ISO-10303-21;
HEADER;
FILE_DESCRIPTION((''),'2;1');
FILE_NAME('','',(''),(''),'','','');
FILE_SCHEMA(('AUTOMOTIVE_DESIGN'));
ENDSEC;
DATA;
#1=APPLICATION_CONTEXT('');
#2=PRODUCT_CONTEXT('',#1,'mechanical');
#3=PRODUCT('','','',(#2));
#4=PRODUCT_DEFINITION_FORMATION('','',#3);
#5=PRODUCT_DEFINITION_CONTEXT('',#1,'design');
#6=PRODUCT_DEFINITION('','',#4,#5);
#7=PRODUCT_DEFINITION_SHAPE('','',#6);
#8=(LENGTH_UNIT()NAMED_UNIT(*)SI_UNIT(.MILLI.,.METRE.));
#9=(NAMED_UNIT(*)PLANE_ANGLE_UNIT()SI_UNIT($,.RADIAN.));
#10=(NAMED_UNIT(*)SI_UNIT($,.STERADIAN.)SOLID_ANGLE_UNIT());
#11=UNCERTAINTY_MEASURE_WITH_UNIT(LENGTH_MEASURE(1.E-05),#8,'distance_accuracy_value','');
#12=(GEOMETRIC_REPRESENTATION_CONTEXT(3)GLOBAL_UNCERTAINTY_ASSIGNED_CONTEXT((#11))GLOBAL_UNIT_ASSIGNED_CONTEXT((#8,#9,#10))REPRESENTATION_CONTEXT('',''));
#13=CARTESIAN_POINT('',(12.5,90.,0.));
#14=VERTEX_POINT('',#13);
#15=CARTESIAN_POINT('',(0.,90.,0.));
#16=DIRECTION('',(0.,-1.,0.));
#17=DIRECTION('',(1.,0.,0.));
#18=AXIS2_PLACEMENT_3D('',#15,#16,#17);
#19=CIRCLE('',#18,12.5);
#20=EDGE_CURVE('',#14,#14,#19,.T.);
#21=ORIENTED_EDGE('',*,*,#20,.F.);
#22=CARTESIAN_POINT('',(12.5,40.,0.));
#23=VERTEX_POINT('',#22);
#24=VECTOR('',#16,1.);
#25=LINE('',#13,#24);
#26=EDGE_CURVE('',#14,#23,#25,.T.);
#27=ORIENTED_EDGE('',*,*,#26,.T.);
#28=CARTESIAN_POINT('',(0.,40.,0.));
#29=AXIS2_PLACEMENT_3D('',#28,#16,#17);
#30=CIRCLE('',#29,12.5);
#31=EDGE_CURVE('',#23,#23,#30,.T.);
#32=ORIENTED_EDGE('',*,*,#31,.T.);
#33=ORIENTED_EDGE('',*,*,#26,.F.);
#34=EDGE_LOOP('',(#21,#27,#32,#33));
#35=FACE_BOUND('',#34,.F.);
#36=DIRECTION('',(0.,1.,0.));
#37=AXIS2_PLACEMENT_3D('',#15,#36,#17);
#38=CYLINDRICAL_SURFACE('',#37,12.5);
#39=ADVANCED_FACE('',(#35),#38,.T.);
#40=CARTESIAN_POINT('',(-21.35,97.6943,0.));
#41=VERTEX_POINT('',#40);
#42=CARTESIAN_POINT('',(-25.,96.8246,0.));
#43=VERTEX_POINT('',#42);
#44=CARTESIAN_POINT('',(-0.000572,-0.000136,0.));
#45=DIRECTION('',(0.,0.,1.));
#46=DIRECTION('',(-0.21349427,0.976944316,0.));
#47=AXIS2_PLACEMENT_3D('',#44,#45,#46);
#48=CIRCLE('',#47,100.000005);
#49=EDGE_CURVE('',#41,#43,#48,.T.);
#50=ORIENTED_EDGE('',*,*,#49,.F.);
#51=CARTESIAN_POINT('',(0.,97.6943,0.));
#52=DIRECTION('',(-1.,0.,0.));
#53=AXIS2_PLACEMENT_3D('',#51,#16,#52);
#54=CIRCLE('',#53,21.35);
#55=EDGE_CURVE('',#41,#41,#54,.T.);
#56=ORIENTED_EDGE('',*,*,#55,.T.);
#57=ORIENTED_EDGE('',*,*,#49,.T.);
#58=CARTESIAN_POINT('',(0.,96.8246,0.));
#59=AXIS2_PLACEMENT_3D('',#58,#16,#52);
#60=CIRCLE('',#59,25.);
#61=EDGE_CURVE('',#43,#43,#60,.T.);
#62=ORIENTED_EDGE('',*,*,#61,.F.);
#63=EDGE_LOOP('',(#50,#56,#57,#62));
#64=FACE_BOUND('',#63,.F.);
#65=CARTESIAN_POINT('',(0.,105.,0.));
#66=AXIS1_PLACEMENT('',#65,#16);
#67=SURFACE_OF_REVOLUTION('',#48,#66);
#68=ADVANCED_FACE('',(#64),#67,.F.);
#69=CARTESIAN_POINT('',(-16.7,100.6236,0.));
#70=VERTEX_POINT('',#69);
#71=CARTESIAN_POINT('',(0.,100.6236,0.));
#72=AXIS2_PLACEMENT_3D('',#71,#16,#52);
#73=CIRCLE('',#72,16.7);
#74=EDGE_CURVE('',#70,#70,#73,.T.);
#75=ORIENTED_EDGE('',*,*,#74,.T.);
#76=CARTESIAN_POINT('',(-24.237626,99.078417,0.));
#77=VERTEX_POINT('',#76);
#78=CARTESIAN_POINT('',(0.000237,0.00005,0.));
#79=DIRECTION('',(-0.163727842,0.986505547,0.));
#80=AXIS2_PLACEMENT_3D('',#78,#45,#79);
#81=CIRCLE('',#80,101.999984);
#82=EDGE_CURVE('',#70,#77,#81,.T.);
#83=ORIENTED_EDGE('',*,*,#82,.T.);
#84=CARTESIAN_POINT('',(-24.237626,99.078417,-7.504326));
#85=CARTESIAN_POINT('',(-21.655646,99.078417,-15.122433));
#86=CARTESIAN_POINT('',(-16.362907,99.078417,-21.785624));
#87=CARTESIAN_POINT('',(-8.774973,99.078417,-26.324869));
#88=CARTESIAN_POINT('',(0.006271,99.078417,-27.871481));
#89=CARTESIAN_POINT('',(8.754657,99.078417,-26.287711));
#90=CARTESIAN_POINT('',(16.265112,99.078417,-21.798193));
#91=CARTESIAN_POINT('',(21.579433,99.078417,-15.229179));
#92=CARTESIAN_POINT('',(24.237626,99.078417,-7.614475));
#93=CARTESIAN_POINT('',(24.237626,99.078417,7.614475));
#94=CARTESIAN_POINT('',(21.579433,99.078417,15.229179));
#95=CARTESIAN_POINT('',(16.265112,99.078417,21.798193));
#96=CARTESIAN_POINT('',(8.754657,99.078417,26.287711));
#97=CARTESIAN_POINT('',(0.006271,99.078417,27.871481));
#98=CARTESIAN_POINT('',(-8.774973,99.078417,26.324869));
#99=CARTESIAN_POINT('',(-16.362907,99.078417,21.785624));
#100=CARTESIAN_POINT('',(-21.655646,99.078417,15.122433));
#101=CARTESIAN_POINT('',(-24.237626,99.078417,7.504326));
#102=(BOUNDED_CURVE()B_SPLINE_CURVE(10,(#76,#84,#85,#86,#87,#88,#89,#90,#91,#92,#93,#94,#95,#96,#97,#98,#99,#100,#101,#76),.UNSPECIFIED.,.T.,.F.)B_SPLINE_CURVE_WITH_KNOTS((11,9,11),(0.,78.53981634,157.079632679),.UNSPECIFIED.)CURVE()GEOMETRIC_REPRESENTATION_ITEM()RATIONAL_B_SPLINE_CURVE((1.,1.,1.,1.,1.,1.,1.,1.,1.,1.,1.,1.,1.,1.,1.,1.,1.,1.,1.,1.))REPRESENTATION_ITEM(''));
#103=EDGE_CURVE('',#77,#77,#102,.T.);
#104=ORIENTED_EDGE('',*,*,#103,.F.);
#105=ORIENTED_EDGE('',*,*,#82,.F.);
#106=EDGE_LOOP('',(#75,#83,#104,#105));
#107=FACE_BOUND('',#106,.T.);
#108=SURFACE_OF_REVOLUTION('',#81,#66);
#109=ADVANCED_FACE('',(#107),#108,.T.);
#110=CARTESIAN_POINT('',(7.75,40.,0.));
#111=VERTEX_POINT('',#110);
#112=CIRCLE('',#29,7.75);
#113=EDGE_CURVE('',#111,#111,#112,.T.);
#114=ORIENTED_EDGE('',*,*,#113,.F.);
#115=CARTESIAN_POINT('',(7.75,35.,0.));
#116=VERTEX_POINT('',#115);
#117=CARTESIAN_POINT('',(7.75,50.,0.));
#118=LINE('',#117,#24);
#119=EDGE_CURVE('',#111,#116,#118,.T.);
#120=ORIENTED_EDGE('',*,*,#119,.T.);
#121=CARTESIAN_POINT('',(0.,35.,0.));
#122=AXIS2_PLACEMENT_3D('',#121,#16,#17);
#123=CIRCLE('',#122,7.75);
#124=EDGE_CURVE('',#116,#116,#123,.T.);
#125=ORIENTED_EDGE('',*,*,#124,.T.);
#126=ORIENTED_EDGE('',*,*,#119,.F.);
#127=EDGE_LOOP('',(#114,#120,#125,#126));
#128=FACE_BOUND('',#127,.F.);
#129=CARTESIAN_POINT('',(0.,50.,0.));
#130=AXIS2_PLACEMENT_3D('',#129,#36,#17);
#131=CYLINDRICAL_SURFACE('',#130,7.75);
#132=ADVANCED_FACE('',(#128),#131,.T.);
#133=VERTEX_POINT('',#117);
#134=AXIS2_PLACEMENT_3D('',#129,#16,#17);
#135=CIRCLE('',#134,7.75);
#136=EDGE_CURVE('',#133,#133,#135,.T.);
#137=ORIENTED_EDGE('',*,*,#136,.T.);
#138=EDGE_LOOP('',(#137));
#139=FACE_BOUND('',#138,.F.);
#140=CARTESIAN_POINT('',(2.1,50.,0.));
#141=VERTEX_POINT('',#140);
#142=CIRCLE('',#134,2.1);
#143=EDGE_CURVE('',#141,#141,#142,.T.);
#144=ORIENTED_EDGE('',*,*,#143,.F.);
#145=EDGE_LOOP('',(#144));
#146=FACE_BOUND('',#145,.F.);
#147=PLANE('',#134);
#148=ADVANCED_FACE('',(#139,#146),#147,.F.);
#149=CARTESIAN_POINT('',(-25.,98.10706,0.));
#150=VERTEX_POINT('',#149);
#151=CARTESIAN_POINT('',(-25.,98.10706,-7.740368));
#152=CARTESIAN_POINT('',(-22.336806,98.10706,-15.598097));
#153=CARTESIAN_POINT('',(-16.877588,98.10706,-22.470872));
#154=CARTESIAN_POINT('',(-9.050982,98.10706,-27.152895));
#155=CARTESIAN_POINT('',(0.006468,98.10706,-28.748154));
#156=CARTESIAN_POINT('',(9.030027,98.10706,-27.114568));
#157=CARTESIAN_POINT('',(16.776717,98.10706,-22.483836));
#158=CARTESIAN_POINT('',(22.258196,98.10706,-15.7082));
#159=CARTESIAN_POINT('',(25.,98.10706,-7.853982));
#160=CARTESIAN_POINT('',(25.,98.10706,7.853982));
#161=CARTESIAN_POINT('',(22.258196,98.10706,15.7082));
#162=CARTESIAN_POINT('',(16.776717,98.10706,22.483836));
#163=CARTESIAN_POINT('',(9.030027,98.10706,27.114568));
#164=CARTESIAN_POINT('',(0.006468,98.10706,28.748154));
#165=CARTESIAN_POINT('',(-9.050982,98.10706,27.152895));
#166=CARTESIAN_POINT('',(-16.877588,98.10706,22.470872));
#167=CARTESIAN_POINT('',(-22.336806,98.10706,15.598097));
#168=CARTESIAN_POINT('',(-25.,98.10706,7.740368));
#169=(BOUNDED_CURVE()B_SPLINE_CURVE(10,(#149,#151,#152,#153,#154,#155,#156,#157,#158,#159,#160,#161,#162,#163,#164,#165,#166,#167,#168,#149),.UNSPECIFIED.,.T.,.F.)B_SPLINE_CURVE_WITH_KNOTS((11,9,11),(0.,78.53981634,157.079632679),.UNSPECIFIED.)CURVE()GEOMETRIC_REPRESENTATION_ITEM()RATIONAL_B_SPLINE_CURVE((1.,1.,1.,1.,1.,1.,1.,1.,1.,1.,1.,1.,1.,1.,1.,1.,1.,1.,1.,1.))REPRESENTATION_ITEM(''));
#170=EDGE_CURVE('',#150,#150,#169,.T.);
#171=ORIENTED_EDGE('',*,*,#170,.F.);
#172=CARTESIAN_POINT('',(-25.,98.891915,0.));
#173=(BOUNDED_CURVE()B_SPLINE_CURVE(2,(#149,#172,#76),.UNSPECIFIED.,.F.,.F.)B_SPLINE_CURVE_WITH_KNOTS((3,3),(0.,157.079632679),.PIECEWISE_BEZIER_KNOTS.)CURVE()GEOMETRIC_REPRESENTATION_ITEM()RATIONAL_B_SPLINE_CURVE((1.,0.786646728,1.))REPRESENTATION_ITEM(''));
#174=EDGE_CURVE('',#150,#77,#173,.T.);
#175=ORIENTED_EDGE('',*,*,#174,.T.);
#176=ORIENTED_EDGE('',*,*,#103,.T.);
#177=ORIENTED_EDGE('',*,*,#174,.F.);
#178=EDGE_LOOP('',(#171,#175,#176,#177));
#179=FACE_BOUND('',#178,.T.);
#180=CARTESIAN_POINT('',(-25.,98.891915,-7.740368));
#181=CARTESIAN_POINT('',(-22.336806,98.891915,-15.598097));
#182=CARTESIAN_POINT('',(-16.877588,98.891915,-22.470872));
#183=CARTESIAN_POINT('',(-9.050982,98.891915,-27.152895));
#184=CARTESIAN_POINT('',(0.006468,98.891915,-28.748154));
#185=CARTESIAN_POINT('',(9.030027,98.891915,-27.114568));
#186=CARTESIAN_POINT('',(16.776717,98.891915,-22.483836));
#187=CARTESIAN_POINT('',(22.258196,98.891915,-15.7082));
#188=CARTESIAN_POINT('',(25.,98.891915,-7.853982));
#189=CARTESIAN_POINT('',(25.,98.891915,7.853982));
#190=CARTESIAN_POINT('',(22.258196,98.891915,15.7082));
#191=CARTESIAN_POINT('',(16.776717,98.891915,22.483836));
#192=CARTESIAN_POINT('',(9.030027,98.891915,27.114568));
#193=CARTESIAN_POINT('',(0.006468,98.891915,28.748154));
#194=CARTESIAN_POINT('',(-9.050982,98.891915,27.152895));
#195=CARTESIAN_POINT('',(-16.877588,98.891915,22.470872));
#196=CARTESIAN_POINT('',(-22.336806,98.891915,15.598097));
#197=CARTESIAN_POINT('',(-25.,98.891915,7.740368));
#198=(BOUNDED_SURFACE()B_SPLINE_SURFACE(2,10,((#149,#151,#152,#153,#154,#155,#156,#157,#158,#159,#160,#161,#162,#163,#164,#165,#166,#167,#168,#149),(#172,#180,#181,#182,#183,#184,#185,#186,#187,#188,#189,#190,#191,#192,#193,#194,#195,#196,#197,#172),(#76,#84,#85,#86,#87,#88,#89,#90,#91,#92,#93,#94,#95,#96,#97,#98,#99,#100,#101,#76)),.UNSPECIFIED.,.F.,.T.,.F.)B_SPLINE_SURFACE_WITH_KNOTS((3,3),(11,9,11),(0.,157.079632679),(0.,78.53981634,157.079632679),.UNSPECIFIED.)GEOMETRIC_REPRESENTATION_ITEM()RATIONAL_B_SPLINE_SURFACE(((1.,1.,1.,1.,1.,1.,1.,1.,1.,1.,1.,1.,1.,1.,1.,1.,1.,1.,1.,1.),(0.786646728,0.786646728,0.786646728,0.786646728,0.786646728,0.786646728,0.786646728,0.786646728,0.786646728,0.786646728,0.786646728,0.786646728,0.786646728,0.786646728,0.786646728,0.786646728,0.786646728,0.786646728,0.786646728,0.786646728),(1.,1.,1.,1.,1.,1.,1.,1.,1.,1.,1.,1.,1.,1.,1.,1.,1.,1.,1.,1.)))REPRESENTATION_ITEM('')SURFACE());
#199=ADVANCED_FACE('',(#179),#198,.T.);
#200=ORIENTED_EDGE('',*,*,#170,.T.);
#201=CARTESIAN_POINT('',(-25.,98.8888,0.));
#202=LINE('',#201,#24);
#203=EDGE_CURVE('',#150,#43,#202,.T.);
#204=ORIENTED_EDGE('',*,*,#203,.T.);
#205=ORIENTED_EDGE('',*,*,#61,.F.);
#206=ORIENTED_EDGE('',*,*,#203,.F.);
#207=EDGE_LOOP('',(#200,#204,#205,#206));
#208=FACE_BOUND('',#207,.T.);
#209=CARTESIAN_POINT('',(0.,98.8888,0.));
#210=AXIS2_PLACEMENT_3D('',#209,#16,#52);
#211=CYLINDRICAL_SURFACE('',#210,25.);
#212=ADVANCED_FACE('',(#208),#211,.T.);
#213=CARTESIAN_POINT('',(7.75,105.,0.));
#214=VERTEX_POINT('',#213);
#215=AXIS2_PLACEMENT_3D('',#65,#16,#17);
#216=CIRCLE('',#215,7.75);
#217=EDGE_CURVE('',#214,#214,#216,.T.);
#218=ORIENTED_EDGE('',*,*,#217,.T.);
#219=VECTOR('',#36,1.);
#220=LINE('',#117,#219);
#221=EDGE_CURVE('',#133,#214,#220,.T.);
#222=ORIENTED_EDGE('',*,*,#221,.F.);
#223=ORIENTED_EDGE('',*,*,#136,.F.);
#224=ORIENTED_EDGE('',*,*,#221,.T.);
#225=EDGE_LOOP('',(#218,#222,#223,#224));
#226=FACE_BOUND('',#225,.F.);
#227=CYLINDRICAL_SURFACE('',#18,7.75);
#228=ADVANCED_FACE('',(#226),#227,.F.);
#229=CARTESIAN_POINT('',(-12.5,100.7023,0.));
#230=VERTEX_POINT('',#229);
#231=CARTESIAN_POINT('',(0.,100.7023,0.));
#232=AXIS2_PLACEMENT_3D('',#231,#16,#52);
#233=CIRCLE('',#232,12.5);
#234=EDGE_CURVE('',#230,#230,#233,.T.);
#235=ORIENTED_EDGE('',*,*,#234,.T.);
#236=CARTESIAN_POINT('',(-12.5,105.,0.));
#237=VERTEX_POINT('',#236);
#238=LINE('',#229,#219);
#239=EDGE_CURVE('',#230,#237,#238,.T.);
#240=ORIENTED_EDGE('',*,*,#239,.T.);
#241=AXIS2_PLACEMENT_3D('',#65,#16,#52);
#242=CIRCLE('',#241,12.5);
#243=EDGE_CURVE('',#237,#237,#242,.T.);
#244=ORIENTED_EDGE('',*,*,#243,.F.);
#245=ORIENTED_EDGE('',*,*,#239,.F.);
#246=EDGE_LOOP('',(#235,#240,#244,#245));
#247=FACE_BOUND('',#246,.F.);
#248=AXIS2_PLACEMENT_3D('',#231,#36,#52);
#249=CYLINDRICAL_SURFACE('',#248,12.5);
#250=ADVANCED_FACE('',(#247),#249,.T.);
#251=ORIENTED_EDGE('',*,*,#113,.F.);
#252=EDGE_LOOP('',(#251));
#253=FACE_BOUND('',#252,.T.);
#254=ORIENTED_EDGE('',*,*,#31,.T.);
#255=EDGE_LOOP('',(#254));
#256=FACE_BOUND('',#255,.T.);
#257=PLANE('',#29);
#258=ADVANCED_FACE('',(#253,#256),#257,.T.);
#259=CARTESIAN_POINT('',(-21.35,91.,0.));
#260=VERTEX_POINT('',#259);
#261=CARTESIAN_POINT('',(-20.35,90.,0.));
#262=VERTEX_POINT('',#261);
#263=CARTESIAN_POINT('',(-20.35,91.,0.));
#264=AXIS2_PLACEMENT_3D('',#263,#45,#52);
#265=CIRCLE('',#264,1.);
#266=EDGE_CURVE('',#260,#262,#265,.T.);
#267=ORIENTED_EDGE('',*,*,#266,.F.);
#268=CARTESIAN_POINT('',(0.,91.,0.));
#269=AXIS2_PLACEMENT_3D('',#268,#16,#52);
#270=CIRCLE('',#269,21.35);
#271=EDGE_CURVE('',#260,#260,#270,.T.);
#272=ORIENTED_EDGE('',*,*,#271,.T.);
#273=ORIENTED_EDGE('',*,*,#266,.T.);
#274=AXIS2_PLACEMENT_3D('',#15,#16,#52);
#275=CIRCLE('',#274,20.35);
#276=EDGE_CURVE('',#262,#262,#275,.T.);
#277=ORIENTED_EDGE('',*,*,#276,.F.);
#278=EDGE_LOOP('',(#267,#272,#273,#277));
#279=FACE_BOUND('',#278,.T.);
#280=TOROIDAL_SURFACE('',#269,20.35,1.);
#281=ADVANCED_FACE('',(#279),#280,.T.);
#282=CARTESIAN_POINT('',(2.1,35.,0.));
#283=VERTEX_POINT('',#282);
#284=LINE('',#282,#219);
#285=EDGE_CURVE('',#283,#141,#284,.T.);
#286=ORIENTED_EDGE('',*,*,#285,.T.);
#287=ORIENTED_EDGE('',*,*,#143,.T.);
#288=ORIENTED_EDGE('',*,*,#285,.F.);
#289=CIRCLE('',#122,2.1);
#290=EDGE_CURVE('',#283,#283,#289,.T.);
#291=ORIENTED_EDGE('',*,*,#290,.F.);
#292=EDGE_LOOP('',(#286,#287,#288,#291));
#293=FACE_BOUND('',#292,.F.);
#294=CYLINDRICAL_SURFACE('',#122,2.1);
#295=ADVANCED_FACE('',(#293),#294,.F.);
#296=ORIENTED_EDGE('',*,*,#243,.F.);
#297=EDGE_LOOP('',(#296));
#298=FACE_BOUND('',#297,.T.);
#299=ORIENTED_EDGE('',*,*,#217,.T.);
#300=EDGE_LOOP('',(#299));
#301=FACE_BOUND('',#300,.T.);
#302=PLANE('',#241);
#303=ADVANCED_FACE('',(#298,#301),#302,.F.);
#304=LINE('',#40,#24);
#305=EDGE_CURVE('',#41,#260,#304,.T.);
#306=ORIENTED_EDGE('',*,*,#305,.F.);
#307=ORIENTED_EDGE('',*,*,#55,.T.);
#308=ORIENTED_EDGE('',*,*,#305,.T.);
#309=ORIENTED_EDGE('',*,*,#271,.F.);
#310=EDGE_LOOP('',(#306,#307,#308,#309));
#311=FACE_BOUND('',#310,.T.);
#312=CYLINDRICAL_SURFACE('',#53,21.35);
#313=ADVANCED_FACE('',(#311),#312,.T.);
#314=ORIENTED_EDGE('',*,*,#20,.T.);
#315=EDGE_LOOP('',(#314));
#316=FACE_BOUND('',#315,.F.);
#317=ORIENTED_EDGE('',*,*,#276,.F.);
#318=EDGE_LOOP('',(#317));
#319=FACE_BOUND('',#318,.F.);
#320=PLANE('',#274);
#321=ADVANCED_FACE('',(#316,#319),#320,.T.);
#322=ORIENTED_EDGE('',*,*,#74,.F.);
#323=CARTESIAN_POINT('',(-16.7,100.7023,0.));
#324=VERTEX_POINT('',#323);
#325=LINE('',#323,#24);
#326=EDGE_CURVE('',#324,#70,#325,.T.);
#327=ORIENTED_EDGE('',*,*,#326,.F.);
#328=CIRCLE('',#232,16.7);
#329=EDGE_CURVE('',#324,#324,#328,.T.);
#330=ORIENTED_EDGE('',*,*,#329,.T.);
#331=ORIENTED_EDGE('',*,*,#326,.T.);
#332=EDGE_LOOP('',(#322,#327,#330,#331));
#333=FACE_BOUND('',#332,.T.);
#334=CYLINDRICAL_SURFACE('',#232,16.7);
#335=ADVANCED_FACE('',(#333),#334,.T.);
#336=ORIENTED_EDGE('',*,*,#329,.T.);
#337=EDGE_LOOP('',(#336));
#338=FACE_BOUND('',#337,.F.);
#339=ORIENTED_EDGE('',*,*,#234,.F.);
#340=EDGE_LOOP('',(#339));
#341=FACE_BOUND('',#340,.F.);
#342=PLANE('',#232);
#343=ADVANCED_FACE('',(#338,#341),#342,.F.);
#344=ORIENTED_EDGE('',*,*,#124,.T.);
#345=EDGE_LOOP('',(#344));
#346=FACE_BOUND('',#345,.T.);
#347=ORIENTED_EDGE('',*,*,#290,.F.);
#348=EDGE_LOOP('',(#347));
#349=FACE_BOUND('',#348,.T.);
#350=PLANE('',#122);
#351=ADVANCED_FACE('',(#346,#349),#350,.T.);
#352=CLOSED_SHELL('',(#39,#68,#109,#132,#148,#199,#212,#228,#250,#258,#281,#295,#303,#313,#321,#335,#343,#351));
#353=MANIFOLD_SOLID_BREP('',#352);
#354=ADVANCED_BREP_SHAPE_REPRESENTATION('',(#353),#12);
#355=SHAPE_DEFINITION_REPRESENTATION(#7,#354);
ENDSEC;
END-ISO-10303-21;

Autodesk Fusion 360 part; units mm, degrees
sketch "Sketch13" plane through (0, 0, 0) normal (0, 0, 1) x (1, 0, 0)
  line L0 (0, 105) -> (0, 100)
  arc A0 (-16.7, 100.6236) -> (-25, 98.8888) centre (0, 0) ccw
  line L1 (-25, 98.8888) -> (-25, 96.8246)
  arc A1 (-21.35, 97.6943) -> (-25, 96.8246) centre (0, 0) ccw
  line L2 (0, 90) -> (0, 100)
  line L3 (-21.35, 97.6943) -> (-21.35, 90)
  line L4 (0, 90) -> (0, 100)
  line L5 (-16.7, 100.7023) -> (-16.7, 100.6236)
  line L6 (0, 90) -> (-21.35, 90)
  line L7 (0, 105) -> (-12.5, 105)
  line L8 (-16.7, 100.7023) -> (-12.5, 100.7023)
  line L9 (-12.5, 100.7023) -> (-12.5, 105)
  dimension "d41" = 200
  dimension "d42" = 204
  dimension "d54" = 10
  dimension "d66" = 12.5
revolve "Revolve4" add sketch "Sketch13" angle 360 about axis through (0, 105, 0) along (0, -1, 0)
fillet "Fillet2" radius 1 1 edges at (-23.3082, 98.8888, 9.0404)
fillet "Fillet3" radius 1 1 edges at (-19.9052, 90, 7.7205)
sketch "Sketch16" plane through (0, 90, 0) normal (0, -1, 0) x (1, 0, 0)
  circle A0 centre (0, 0) radius 20.35
  circle A1 centre (0, 0) radius 7.75
  circle A2 centre (0, 0) radius 12.5
  dimension "d69" = 15.5
  dimension "d72" = 25
extrude "Extrude7" cut sketch "Sketch16" against normal blind 30 contours A1
extrude "Extrude8" add sketch "Sketch16" along normal blind 50 contours A2
extrude "Extrude9" add sketch "Sketch16" along normal blind 55 and the other way blind -40 contours A1
sketch "Sketch18" plane through (0, 35, 0) normal (0, -1, 0) x (1, 0, 0)
  circle A0 centre (0, 0) radius 7.75
  circle A1 centre (0, 0) radius 2.1
  dimension "d80" = 4.2
extrude "Extrude10" cut sketch "Sketch18" against normal blind 86 contours A1
